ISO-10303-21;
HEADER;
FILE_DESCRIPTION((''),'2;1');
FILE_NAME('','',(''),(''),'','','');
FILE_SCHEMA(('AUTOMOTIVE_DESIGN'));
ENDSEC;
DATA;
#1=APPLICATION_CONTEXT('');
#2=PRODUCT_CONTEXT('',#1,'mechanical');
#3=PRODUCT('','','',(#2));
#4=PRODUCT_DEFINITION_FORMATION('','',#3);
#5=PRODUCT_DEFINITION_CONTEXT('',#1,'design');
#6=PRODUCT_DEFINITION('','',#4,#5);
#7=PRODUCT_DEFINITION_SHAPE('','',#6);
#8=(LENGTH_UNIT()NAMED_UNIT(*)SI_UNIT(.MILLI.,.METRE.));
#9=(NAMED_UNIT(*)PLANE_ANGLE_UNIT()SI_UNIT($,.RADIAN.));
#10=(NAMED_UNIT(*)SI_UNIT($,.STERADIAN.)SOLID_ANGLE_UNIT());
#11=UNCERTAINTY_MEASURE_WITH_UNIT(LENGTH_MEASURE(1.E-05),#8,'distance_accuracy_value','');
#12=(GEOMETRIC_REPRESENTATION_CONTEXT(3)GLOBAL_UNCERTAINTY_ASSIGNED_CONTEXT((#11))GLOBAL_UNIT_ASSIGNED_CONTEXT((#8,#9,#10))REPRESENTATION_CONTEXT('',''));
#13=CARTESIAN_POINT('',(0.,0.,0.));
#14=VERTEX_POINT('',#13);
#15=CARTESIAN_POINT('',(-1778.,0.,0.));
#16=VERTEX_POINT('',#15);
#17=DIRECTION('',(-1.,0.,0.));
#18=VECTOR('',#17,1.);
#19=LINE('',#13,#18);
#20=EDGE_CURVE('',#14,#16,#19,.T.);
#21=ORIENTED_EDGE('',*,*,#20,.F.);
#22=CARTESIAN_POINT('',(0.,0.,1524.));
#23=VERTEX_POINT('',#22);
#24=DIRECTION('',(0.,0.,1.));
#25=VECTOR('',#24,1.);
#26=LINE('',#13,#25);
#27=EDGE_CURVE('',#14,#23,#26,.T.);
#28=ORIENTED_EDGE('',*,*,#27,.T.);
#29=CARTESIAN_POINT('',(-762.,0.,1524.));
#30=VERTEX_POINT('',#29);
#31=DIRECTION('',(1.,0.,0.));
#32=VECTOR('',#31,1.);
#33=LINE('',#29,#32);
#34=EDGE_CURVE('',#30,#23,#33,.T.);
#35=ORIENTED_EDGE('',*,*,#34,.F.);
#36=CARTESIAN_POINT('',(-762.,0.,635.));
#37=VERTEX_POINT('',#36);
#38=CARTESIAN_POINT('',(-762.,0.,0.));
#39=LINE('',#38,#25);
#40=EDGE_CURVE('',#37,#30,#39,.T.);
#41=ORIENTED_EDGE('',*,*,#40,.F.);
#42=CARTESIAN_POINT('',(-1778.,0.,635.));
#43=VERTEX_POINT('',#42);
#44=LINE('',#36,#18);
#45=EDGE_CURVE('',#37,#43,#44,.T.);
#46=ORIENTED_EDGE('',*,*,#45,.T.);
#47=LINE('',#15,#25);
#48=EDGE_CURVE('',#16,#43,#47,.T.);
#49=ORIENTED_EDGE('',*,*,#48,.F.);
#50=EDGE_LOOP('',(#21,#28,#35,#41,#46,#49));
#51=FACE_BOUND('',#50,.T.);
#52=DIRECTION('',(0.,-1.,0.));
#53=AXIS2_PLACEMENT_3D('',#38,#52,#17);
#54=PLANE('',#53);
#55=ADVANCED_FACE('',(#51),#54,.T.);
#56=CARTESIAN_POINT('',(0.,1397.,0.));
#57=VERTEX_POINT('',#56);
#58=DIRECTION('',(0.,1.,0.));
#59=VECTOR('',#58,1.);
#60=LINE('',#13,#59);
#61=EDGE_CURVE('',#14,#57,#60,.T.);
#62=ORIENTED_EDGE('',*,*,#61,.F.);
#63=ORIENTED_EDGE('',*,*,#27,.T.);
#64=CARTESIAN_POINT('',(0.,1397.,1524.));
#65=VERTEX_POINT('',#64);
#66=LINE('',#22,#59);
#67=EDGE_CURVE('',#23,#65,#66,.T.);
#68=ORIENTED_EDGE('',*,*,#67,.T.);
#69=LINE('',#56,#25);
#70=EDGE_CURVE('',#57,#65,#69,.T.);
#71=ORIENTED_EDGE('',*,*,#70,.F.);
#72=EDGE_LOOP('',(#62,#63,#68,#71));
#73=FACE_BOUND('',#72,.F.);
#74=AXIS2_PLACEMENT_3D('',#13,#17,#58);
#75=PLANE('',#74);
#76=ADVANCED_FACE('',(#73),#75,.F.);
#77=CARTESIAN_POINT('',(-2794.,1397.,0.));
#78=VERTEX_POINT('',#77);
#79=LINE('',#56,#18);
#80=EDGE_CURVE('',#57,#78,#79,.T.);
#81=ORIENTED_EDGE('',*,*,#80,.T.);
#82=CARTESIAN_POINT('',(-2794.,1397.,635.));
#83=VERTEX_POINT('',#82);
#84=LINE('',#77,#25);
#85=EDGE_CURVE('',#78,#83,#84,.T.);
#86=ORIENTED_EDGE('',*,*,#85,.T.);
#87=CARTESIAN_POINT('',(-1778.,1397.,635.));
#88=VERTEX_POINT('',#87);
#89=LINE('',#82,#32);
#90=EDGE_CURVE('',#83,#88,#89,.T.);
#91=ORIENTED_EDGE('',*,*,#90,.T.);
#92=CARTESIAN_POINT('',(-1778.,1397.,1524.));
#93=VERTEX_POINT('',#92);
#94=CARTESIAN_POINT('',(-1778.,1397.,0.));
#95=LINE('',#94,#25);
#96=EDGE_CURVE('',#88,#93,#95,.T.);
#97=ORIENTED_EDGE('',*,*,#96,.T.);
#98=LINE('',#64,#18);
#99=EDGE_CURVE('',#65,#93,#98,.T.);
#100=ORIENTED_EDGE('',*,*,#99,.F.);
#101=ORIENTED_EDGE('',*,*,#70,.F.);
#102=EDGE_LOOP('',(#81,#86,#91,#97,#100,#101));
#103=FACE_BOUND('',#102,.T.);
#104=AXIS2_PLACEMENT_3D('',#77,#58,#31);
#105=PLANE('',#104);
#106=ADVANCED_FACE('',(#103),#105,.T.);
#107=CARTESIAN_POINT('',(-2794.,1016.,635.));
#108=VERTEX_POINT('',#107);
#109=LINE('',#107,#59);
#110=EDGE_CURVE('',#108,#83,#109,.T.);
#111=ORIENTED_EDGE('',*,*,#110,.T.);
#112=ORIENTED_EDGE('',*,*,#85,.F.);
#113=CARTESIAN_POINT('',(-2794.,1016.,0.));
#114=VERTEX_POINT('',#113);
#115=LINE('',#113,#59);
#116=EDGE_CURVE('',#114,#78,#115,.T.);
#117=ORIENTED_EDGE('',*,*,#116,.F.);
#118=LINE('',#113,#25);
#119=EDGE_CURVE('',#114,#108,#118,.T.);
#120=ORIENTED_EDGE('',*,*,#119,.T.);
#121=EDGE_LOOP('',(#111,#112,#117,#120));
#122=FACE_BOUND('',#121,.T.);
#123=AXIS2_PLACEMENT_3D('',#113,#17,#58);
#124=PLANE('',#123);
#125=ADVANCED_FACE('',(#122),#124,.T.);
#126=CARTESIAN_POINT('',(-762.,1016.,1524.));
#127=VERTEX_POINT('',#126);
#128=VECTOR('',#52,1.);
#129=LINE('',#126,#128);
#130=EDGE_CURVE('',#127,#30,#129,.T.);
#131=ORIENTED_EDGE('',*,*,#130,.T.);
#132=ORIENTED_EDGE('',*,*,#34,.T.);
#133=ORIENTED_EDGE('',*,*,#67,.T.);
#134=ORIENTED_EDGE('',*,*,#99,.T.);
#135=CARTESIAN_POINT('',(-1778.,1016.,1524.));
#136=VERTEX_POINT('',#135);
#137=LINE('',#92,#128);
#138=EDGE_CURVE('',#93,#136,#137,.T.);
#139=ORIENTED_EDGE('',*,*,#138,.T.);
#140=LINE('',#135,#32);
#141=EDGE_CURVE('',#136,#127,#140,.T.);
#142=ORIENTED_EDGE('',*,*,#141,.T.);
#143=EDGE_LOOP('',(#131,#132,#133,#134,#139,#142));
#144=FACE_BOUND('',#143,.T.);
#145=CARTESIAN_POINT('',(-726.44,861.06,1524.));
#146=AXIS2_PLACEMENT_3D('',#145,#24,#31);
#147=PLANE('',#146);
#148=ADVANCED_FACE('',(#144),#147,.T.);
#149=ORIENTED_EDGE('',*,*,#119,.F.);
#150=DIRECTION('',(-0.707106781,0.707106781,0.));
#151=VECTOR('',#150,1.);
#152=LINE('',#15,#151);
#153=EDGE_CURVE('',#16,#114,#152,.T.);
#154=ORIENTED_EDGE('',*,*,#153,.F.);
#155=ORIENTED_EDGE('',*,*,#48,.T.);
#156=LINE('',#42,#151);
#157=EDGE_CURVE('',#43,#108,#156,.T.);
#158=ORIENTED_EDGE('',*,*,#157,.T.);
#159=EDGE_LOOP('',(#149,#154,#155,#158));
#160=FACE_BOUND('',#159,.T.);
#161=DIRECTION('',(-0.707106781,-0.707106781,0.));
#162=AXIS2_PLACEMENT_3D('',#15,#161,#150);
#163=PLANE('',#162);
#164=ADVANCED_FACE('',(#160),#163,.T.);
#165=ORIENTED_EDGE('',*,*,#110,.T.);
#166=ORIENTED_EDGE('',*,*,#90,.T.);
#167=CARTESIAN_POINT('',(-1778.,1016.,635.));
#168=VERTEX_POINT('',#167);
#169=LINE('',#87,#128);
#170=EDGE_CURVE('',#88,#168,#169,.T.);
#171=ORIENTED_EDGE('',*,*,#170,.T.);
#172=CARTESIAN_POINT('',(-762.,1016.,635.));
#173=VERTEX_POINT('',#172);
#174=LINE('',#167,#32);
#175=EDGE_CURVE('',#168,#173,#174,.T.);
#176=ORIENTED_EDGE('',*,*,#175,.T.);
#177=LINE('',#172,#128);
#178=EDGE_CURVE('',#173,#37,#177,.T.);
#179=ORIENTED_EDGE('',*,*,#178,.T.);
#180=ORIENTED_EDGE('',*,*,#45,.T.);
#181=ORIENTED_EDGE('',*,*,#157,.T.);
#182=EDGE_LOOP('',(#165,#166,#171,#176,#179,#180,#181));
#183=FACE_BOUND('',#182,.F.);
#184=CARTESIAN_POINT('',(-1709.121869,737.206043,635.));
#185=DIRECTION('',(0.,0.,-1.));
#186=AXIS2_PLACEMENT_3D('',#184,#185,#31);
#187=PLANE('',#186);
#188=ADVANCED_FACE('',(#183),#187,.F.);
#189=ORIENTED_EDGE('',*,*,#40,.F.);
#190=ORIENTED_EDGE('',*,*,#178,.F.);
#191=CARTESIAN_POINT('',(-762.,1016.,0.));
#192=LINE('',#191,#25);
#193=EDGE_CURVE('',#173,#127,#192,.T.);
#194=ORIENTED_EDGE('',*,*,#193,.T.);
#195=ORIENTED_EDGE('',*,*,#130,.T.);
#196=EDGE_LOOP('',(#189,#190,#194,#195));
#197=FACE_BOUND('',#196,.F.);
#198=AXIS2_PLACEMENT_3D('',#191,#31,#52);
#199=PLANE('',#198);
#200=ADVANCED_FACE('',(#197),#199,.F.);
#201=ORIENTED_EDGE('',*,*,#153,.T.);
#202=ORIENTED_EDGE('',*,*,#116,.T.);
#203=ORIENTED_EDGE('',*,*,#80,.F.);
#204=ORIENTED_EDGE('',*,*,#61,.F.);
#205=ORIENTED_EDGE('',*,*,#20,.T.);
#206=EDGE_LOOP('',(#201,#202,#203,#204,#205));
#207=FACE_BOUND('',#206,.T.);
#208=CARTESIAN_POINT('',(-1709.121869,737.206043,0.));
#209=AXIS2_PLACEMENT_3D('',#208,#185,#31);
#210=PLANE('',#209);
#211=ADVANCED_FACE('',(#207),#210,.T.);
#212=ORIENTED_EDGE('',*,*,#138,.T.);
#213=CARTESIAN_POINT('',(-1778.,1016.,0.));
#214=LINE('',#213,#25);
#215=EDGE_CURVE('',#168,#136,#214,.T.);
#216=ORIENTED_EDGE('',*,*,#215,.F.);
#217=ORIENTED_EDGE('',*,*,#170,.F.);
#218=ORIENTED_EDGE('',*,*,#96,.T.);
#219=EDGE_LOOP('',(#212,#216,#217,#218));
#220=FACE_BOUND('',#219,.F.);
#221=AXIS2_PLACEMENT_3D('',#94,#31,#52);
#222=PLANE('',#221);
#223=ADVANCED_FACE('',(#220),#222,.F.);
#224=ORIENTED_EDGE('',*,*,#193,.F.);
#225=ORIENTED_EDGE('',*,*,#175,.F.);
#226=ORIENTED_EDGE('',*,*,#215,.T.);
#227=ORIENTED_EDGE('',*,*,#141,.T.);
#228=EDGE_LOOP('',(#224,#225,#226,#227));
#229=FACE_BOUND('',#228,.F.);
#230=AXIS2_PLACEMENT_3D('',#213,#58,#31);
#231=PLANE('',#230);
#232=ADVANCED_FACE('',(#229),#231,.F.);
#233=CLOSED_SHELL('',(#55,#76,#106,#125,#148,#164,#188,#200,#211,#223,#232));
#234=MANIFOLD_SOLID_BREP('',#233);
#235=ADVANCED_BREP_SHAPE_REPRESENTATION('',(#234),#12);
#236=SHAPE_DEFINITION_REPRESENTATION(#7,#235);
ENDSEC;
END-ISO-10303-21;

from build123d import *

# Parameters (mm, degrees)
F1_DEPTH = 1524
F3_DEPTH = 635


with BuildPart() as f1:
    # F0 (on Top) → F1 (new body)
    with BuildSketch(Plane.XY):
        Polygon((-762, 0), (0, 0), (0, 1397), (-1778, 1397), (-1778, 1016), (-762, 1016), align=None)
    extrude(amount=F1_DEPTH)

    # F2 (on face) → F3 (join)
    with BuildSketch(Plane(origin=(0, 0, 0), x_dir=(1, 0, 0), z_dir=(0, 0, -1))):
        Polygon((-2794, -1397), (-1778, -1397), (-1778, -1016), (-762, -1016), (-762, 0), (-1778, 0), (-2794, -1016), align=None)
    extrude(amount=-F3_DEPTH)


solid = f1.part
